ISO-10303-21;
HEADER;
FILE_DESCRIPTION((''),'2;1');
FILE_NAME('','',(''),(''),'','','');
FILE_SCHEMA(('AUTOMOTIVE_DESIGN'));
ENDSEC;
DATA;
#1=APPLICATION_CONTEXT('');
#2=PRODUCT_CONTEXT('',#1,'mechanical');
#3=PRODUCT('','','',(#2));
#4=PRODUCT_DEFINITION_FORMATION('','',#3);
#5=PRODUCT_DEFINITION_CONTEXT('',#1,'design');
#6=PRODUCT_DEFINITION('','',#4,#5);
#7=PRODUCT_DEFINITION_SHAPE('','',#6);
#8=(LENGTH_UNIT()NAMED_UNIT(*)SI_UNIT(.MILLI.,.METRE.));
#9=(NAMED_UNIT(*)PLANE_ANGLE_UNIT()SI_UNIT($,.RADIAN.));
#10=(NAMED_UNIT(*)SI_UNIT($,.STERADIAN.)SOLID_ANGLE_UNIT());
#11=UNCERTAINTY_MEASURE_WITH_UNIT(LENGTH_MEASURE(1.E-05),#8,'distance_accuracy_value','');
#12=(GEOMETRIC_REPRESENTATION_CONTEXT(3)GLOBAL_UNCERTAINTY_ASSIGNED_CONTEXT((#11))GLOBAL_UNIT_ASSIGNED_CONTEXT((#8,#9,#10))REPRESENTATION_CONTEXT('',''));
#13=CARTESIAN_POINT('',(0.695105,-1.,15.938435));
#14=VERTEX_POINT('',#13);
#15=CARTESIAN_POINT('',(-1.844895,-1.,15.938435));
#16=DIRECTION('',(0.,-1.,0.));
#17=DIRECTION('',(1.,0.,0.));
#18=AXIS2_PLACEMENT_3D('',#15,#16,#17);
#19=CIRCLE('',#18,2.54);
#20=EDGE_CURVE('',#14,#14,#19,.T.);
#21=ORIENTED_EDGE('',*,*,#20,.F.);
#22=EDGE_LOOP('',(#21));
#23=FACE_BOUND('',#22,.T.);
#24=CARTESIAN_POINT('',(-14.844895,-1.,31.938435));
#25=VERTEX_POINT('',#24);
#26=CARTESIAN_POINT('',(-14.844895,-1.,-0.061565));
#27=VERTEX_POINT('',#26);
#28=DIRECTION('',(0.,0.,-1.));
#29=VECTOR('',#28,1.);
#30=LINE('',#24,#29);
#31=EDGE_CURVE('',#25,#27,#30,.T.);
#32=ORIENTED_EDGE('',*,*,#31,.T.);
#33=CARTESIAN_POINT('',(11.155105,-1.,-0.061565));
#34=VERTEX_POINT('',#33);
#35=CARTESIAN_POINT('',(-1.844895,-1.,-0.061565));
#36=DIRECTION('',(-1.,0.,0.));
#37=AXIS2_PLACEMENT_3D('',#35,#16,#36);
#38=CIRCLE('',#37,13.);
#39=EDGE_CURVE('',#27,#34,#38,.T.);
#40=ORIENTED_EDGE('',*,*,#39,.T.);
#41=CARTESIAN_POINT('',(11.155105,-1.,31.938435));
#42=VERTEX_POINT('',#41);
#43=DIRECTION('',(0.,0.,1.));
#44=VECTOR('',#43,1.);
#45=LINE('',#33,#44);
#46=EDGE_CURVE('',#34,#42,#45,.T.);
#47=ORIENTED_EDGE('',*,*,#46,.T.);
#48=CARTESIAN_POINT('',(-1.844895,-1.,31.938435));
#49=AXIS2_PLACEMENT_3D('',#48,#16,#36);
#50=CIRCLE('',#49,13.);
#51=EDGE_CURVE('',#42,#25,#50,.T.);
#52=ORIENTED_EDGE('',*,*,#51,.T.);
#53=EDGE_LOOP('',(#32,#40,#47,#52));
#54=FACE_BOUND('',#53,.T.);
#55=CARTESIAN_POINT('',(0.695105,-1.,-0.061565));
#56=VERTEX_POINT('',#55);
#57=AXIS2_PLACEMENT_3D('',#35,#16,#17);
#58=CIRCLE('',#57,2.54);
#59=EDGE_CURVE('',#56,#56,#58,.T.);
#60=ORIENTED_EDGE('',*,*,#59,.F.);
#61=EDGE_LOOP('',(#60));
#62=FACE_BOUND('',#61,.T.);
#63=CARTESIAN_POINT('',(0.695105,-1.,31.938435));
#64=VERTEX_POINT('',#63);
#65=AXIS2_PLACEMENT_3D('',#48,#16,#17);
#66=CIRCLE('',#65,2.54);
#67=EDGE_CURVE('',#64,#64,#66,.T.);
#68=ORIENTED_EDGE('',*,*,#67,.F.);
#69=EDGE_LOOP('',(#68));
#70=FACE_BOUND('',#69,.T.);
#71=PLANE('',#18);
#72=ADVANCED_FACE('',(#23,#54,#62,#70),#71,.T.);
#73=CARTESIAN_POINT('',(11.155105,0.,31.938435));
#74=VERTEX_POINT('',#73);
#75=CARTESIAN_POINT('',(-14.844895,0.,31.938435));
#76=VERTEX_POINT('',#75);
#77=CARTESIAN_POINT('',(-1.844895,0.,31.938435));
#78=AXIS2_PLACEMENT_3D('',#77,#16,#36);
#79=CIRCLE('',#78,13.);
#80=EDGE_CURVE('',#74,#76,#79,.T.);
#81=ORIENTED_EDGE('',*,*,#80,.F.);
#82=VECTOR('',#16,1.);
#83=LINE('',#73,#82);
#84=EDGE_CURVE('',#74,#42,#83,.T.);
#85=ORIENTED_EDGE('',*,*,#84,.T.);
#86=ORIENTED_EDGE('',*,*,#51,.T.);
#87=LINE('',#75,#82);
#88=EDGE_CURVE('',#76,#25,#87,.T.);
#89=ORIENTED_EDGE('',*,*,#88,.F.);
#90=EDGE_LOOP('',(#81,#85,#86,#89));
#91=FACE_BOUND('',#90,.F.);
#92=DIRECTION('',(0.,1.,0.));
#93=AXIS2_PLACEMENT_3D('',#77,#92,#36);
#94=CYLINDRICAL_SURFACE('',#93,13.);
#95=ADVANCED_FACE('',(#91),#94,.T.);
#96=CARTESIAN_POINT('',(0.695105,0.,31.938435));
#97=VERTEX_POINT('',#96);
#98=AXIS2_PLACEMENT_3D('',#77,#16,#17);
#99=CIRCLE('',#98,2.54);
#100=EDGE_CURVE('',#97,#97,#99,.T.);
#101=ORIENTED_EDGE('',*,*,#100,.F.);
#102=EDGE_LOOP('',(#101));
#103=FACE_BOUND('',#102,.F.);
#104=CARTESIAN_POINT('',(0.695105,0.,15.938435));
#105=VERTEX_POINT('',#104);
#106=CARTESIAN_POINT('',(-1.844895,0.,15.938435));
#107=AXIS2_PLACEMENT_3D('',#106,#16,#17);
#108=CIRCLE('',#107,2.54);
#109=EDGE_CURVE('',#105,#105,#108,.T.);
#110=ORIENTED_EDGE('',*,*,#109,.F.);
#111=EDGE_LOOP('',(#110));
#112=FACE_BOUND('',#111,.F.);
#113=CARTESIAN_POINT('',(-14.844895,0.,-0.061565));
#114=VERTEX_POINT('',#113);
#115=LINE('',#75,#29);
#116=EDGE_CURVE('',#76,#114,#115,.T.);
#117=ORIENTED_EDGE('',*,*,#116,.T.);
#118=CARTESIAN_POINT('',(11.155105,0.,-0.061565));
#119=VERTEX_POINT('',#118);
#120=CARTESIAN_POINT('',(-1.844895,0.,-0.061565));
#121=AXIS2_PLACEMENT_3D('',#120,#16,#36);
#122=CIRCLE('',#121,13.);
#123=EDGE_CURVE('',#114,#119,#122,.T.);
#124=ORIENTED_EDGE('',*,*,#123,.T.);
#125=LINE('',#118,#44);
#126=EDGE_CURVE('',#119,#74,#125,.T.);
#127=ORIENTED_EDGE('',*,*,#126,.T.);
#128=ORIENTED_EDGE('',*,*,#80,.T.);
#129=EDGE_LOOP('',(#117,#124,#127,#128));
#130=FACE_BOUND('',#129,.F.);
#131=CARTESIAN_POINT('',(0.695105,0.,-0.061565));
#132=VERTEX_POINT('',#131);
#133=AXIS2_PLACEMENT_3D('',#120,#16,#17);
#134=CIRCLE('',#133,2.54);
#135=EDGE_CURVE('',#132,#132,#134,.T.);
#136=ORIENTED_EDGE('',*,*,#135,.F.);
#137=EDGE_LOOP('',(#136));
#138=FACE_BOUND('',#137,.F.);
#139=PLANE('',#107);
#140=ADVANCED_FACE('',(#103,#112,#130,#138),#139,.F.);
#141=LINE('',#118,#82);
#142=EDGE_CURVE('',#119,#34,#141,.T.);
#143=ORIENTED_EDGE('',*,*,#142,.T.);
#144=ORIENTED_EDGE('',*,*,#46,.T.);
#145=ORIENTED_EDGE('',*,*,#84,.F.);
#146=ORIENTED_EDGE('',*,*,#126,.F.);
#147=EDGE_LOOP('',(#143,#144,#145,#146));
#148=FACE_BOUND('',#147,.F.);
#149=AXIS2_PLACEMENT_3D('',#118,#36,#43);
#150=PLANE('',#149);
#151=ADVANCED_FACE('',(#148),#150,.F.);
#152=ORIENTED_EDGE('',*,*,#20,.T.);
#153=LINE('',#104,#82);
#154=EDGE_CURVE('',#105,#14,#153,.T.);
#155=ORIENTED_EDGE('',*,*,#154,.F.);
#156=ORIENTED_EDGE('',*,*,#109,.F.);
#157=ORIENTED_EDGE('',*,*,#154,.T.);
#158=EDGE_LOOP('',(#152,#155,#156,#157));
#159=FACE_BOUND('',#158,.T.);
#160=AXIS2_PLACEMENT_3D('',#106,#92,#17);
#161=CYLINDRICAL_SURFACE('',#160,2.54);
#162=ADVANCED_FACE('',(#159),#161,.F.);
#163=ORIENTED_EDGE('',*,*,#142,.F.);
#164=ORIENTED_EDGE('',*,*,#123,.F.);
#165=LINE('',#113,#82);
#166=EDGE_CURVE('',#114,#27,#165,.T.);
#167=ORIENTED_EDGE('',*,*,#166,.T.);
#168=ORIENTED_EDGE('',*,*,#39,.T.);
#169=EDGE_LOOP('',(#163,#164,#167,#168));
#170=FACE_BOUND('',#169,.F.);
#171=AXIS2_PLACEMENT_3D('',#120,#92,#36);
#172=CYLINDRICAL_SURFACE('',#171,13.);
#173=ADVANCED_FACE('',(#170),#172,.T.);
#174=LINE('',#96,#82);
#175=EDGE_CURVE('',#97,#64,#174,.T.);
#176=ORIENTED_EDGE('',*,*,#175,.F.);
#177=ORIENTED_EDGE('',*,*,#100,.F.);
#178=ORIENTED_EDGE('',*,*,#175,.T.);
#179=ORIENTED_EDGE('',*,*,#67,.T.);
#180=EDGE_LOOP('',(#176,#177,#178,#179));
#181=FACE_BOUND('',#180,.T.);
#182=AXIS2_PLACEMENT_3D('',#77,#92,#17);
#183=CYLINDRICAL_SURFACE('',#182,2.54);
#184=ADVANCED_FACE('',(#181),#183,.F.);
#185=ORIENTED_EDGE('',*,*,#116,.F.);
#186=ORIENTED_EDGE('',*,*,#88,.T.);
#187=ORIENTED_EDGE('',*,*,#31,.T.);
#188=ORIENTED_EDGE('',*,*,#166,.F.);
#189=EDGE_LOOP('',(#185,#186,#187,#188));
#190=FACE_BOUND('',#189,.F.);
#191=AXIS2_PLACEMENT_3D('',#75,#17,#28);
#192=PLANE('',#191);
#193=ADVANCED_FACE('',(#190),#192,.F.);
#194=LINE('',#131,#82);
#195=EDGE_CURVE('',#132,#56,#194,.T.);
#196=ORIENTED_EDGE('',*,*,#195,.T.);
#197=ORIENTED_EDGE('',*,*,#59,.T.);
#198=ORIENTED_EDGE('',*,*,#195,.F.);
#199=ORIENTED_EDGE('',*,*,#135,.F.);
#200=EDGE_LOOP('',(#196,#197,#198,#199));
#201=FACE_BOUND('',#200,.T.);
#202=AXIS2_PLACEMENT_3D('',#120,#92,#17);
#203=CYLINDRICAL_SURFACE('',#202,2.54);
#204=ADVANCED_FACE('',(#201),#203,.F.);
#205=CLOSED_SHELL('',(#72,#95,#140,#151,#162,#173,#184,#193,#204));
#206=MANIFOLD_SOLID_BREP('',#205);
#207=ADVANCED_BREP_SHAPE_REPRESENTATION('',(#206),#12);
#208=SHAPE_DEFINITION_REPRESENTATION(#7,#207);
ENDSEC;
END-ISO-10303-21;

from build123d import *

# Parameters (mm, degrees)
F0_R     = 2.54
F1_DEPTH = 1


with BuildPart() as f1:
    # F0 (on Front) → F1 (new body)
    with BuildSketch(Plane.XZ):
        with BuildLine():
            ThreePointArc((11.155105, 31.938435), (-1.844895, 18.938435), (-14.844895, 31.938435))
            Line((-14.844895, 31.938435), (-14.844895, -0.061565))
            ThreePointArc((-14.844895, -0.061565), (-1.844895, 12.938435), (11.155105, -0.061565))
            Line((11.155105, -0.061565), (11.155105, 31.938435))
        make_face()
        with Locations((-1.844895, 15.938435)):
            Circle(F0_R, mode=Mode.SUBTRACT)
        with BuildLine():
            ThreePointArc((11.155105, 31.938435), (-1.844895, 44.938435), (-14.844895, 31.938435))
            ThreePointArc((-14.844895, 31.938435), (-1.844895, 18.938435), (11.155105, 31.938435))
        make_face()
        with Locations((-1.844895, 31.938435)):
            Circle(F0_R, mode=Mode.SUBTRACT)
        with BuildLine():
            ThreePointArc((11.155105, -0.061565), (-1.844895, 12.938435), (-14.844895, -0.061565))
            ThreePointArc((-14.844895, -0.061565), (-1.844895, -13.061565), (11.155105, -0.061565))
        make_face()
        with Locations((-1.844895, -0.061565)):
            Circle(F0_R, mode=Mode.SUBTRACT)
    extrude(amount=F1_DEPTH)


solid = f1.part
